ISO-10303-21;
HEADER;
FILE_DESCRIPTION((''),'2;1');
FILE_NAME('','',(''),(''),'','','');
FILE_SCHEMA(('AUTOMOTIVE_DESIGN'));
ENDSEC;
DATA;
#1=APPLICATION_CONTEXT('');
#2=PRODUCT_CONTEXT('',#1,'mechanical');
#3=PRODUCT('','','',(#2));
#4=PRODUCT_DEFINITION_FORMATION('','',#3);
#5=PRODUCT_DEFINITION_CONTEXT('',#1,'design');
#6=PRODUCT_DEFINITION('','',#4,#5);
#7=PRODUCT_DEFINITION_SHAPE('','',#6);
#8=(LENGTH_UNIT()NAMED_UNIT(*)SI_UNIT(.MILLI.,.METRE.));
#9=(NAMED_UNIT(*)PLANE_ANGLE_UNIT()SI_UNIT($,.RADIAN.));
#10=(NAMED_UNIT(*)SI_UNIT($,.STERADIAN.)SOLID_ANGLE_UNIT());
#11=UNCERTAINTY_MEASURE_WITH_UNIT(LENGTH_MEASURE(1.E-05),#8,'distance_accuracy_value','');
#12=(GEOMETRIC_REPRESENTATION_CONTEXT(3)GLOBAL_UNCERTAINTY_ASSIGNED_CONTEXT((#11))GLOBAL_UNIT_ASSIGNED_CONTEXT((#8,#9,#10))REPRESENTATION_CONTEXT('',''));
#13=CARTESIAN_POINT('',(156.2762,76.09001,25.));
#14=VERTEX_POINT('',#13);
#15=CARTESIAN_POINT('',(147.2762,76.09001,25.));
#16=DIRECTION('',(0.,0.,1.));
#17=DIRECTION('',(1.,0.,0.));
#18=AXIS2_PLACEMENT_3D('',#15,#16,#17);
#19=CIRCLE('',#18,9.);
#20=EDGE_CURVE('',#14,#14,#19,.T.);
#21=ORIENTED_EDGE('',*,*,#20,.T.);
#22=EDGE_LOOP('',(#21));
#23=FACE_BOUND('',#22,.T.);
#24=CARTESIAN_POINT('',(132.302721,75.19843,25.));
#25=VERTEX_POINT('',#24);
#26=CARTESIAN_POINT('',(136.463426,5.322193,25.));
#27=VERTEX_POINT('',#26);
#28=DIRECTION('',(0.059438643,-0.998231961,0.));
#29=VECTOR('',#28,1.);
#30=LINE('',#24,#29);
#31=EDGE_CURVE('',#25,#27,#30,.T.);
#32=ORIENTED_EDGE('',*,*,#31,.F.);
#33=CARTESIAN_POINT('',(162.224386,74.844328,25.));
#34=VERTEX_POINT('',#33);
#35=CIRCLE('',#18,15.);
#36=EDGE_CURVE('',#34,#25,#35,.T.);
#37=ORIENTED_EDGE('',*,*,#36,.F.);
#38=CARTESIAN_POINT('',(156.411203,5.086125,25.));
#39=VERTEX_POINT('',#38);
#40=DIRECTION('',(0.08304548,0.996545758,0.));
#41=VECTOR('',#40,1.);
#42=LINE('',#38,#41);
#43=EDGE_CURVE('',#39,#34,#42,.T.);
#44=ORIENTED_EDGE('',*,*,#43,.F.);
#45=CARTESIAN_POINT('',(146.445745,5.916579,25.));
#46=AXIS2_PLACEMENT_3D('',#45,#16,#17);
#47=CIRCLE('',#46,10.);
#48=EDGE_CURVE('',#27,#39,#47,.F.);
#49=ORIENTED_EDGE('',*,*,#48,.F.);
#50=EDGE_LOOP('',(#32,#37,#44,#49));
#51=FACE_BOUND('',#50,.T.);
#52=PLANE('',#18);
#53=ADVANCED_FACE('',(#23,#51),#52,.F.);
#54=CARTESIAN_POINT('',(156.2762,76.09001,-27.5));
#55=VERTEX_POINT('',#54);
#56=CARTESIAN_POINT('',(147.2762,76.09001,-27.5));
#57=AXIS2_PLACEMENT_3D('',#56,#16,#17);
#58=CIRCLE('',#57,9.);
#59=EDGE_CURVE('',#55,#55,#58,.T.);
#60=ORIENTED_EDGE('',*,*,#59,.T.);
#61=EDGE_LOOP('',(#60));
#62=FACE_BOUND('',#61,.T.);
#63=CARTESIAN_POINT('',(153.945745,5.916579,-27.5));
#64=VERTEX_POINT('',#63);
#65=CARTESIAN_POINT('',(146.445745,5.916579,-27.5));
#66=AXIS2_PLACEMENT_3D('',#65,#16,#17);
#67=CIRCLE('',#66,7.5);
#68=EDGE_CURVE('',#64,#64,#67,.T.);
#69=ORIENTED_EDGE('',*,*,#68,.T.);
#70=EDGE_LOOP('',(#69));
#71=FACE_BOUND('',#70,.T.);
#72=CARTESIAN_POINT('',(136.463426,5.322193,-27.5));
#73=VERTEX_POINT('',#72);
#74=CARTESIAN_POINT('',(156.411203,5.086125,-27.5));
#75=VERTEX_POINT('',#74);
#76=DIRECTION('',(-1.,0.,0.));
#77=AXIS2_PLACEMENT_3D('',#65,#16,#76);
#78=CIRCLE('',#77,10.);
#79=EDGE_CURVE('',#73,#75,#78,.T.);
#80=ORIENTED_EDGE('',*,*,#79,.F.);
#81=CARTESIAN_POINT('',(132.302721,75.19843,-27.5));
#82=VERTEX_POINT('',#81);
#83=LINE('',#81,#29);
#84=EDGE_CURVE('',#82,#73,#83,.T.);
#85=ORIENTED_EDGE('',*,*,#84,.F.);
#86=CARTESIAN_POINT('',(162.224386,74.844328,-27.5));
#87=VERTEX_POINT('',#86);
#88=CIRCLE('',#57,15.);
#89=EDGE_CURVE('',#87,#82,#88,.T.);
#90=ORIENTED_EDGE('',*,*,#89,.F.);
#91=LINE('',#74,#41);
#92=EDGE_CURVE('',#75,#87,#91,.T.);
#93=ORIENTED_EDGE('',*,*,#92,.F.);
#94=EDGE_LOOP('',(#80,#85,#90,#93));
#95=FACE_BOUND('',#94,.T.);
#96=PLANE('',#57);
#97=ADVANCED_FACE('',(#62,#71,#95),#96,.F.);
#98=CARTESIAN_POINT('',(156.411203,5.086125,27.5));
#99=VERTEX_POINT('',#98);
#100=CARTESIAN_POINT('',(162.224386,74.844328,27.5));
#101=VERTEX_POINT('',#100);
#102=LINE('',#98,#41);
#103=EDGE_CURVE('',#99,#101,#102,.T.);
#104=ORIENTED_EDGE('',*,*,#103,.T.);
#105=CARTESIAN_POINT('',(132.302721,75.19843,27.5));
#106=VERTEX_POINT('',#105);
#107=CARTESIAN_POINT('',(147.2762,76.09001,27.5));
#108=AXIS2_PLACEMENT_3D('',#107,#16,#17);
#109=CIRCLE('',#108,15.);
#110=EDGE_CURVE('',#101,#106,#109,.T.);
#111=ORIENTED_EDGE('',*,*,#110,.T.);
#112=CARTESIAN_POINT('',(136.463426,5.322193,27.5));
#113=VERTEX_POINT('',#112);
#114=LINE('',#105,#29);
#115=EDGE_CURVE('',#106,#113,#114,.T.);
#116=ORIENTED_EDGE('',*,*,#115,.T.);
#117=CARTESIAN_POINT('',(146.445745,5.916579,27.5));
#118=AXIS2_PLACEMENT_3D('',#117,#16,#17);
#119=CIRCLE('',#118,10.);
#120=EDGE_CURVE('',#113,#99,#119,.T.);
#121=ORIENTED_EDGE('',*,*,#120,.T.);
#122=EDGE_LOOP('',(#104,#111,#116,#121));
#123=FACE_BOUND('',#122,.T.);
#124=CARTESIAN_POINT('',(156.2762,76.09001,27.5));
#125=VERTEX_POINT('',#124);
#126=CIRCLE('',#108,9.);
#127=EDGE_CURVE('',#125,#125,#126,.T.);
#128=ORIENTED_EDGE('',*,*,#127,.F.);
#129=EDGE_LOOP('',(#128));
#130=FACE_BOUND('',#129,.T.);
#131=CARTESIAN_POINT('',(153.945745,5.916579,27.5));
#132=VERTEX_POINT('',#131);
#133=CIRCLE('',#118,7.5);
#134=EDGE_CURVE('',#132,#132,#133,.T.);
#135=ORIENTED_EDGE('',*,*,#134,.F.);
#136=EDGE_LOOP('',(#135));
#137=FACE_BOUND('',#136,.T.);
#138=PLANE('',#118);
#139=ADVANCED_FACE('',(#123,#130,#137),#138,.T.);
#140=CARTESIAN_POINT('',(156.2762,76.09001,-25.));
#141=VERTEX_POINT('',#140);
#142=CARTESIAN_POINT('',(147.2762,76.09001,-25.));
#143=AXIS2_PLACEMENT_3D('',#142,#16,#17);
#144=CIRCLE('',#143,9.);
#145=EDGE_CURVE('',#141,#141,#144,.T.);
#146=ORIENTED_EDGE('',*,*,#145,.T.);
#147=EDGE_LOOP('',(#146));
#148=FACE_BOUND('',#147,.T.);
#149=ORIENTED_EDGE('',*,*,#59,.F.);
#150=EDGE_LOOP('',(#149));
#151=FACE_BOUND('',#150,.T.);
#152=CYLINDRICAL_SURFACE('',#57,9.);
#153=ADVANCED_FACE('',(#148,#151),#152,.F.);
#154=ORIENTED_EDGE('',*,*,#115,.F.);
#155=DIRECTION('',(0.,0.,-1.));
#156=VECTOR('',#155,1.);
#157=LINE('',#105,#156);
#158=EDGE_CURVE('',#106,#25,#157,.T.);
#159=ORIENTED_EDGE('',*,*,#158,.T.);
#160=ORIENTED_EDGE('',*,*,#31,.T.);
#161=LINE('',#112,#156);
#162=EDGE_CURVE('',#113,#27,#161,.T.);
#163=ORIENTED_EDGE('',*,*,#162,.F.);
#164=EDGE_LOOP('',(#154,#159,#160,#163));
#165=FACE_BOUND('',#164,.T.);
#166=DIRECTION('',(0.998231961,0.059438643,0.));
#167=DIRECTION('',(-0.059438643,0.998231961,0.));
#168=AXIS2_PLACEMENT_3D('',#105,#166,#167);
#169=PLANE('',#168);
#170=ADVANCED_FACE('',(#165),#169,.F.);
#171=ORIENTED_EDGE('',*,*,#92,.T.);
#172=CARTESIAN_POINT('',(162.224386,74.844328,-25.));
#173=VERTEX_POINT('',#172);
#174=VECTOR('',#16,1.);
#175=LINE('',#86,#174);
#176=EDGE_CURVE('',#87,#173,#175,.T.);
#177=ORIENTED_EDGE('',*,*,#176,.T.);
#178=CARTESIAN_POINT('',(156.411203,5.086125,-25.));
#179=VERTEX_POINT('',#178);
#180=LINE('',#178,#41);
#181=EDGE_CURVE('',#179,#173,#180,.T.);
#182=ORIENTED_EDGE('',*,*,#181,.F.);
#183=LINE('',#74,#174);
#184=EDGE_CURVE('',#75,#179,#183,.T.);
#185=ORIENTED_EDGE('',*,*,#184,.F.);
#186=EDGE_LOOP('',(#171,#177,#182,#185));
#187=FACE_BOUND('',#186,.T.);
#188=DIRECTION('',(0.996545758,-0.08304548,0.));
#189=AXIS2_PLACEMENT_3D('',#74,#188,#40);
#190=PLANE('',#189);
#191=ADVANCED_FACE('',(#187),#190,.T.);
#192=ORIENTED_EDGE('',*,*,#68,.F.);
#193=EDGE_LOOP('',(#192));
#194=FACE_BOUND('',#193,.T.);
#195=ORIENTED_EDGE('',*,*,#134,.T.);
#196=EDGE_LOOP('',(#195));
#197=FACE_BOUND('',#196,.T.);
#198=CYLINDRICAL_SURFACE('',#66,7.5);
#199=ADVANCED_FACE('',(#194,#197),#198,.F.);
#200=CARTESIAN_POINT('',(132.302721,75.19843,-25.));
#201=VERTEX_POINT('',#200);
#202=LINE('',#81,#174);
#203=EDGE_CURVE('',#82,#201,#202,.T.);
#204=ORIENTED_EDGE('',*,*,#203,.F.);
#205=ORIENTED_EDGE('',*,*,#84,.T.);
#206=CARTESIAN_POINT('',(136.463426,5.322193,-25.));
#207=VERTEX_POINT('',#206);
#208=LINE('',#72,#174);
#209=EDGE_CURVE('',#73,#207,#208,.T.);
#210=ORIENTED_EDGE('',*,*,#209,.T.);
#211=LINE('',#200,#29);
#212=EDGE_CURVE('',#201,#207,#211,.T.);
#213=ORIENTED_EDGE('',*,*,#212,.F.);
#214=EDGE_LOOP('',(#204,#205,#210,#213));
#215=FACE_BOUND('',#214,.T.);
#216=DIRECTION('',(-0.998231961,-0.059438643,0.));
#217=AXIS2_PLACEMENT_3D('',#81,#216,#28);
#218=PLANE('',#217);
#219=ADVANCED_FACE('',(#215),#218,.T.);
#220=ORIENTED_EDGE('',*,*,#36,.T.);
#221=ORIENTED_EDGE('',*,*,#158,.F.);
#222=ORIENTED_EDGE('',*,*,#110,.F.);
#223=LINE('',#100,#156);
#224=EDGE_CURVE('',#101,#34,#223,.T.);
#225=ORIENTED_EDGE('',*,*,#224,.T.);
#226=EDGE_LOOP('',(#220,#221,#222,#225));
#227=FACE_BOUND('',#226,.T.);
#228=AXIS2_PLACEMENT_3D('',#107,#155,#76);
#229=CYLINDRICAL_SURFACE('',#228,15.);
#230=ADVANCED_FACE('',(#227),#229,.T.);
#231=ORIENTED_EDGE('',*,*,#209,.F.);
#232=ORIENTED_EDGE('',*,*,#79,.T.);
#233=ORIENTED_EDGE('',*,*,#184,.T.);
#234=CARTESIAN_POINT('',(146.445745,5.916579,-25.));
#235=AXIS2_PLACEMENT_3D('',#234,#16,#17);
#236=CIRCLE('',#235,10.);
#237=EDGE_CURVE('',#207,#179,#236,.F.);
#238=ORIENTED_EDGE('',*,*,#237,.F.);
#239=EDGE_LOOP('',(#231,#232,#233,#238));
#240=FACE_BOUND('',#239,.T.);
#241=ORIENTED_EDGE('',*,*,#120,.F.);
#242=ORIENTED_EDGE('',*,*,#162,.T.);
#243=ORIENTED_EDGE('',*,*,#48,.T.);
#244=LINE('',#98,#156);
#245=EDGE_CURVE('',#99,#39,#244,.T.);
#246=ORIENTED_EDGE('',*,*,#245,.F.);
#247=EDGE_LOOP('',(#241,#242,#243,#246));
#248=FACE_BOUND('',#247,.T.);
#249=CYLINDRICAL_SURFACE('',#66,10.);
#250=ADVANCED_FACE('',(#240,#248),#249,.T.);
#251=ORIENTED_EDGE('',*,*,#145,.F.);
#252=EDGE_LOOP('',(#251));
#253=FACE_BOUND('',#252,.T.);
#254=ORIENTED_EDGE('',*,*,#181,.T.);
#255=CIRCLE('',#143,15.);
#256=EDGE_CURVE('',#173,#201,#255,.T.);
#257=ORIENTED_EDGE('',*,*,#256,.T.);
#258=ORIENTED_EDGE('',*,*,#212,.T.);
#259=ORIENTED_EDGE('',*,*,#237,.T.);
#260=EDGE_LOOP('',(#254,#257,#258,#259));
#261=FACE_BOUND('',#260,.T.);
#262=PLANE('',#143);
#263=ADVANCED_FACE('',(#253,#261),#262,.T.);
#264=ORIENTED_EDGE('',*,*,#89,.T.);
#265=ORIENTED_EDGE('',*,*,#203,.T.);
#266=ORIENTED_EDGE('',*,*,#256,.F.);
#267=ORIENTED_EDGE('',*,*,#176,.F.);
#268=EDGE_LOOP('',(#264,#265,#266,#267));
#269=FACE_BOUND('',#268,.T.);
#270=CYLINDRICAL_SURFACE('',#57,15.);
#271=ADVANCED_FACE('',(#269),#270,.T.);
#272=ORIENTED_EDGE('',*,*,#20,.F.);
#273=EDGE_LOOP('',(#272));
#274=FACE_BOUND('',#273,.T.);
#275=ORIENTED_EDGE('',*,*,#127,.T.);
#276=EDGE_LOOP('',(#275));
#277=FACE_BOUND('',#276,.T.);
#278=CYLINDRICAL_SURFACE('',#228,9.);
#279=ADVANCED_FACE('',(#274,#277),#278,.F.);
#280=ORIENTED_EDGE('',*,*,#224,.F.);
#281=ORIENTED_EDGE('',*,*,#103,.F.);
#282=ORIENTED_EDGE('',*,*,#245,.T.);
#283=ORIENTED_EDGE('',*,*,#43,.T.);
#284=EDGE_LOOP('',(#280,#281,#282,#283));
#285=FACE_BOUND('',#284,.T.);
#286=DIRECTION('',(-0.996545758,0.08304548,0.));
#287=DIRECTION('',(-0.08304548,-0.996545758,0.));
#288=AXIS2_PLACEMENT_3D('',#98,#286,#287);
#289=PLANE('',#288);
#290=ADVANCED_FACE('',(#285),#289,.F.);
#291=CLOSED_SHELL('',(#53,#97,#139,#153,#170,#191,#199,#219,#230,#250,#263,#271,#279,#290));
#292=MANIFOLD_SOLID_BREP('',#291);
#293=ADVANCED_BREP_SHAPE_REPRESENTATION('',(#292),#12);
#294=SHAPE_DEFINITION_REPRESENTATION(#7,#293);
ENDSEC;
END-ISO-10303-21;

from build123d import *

# Parameters (mm, degrees)
EXTRUDE_START   = -25
SKETCH_1_R      = 9
SKETCH_1_R_2    = 7.5
EXTRUDE_1_DEPTH = 2.5
SKETCH_5_R      = 10
SKETCH_5_R_2    = 7.5
EXTRUDE_5_DEPTH = 27.5
EXTRUDE_START_2 = 27.5
SKETCH_1_3_R    = 9
SKETCH_1_3_R_2  = 7.5
EXTRUDE_6_DEPTH = 2.5


with BuildPart() as part:
    # 草圖1 → 填料-伸長1 (new body)
    with BuildSketch(Plane.XY.offset(EXTRUDE_START)):
        with BuildLine():
            Line((132.302720539, 75.19843017), (136.463425545, 5.322192908))
            ThreePointArc((136.463425545, 5.322192908), (146.327410245, -4.082720481), (156.411202737, 5.086124539))
            Line((156.411202737, 5.086124539), (162.224386326, 74.844327616))
            ThreePointArc((162.224386326, 74.844327616), (147.453702316, 91.088959541), (132.302720539, 75.19843017))
        make_face()
        with Locations((147.276199953, 76.090009814)):
            Circle(SKETCH_1_R, mode=Mode.SUBTRACT)
        with Locations((146.445745154, 5.916579337)):
            Circle(SKETCH_1_R_2, mode=Mode.SUBTRACT)
    extrude(amount=-EXTRUDE_1_DEPTH)

    # 草圖5 → 填料-伸長5 (add, symmetric)
    with BuildSketch(Plane.XY):
        with Locations((146.445745154, 5.916579337)):
            Circle(SKETCH_5_R)
        with Locations((146.445745154, 5.916579337)):
            Circle(SKETCH_5_R_2, mode=Mode.SUBTRACT)
    extrude(amount=EXTRUDE_5_DEPTH, both=True)

    # 草圖1<3> → 填料-伸長6 (add)
    with BuildSketch(Plane.XY.offset(EXTRUDE_START_2)):
        with BuildLine():
            Line((132.302720539, 75.19843017), (136.463425545, 5.322192908))
            ThreePointArc((136.463425545, 5.322192908), (146.327410245, -4.082720481), (156.411202737, 5.086124539))
            Line((156.411202737, 5.086124539), (162.224386326, 74.844327616))
            ThreePointArc((162.224386326, 74.844327616), (147.453702316, 91.088959541), (132.302720539, 75.19843017))
        make_face()
        with Locations((147.276199953, 76.090009814)):
            Circle(SKETCH_1_3_R, mode=Mode.SUBTRACT)
        with Locations((146.445745154, 5.916579337)):
            Circle(SKETCH_1_3_R_2, mode=Mode.SUBTRACT)
    extrude(amount=-EXTRUDE_6_DEPTH)


solid = part.part
